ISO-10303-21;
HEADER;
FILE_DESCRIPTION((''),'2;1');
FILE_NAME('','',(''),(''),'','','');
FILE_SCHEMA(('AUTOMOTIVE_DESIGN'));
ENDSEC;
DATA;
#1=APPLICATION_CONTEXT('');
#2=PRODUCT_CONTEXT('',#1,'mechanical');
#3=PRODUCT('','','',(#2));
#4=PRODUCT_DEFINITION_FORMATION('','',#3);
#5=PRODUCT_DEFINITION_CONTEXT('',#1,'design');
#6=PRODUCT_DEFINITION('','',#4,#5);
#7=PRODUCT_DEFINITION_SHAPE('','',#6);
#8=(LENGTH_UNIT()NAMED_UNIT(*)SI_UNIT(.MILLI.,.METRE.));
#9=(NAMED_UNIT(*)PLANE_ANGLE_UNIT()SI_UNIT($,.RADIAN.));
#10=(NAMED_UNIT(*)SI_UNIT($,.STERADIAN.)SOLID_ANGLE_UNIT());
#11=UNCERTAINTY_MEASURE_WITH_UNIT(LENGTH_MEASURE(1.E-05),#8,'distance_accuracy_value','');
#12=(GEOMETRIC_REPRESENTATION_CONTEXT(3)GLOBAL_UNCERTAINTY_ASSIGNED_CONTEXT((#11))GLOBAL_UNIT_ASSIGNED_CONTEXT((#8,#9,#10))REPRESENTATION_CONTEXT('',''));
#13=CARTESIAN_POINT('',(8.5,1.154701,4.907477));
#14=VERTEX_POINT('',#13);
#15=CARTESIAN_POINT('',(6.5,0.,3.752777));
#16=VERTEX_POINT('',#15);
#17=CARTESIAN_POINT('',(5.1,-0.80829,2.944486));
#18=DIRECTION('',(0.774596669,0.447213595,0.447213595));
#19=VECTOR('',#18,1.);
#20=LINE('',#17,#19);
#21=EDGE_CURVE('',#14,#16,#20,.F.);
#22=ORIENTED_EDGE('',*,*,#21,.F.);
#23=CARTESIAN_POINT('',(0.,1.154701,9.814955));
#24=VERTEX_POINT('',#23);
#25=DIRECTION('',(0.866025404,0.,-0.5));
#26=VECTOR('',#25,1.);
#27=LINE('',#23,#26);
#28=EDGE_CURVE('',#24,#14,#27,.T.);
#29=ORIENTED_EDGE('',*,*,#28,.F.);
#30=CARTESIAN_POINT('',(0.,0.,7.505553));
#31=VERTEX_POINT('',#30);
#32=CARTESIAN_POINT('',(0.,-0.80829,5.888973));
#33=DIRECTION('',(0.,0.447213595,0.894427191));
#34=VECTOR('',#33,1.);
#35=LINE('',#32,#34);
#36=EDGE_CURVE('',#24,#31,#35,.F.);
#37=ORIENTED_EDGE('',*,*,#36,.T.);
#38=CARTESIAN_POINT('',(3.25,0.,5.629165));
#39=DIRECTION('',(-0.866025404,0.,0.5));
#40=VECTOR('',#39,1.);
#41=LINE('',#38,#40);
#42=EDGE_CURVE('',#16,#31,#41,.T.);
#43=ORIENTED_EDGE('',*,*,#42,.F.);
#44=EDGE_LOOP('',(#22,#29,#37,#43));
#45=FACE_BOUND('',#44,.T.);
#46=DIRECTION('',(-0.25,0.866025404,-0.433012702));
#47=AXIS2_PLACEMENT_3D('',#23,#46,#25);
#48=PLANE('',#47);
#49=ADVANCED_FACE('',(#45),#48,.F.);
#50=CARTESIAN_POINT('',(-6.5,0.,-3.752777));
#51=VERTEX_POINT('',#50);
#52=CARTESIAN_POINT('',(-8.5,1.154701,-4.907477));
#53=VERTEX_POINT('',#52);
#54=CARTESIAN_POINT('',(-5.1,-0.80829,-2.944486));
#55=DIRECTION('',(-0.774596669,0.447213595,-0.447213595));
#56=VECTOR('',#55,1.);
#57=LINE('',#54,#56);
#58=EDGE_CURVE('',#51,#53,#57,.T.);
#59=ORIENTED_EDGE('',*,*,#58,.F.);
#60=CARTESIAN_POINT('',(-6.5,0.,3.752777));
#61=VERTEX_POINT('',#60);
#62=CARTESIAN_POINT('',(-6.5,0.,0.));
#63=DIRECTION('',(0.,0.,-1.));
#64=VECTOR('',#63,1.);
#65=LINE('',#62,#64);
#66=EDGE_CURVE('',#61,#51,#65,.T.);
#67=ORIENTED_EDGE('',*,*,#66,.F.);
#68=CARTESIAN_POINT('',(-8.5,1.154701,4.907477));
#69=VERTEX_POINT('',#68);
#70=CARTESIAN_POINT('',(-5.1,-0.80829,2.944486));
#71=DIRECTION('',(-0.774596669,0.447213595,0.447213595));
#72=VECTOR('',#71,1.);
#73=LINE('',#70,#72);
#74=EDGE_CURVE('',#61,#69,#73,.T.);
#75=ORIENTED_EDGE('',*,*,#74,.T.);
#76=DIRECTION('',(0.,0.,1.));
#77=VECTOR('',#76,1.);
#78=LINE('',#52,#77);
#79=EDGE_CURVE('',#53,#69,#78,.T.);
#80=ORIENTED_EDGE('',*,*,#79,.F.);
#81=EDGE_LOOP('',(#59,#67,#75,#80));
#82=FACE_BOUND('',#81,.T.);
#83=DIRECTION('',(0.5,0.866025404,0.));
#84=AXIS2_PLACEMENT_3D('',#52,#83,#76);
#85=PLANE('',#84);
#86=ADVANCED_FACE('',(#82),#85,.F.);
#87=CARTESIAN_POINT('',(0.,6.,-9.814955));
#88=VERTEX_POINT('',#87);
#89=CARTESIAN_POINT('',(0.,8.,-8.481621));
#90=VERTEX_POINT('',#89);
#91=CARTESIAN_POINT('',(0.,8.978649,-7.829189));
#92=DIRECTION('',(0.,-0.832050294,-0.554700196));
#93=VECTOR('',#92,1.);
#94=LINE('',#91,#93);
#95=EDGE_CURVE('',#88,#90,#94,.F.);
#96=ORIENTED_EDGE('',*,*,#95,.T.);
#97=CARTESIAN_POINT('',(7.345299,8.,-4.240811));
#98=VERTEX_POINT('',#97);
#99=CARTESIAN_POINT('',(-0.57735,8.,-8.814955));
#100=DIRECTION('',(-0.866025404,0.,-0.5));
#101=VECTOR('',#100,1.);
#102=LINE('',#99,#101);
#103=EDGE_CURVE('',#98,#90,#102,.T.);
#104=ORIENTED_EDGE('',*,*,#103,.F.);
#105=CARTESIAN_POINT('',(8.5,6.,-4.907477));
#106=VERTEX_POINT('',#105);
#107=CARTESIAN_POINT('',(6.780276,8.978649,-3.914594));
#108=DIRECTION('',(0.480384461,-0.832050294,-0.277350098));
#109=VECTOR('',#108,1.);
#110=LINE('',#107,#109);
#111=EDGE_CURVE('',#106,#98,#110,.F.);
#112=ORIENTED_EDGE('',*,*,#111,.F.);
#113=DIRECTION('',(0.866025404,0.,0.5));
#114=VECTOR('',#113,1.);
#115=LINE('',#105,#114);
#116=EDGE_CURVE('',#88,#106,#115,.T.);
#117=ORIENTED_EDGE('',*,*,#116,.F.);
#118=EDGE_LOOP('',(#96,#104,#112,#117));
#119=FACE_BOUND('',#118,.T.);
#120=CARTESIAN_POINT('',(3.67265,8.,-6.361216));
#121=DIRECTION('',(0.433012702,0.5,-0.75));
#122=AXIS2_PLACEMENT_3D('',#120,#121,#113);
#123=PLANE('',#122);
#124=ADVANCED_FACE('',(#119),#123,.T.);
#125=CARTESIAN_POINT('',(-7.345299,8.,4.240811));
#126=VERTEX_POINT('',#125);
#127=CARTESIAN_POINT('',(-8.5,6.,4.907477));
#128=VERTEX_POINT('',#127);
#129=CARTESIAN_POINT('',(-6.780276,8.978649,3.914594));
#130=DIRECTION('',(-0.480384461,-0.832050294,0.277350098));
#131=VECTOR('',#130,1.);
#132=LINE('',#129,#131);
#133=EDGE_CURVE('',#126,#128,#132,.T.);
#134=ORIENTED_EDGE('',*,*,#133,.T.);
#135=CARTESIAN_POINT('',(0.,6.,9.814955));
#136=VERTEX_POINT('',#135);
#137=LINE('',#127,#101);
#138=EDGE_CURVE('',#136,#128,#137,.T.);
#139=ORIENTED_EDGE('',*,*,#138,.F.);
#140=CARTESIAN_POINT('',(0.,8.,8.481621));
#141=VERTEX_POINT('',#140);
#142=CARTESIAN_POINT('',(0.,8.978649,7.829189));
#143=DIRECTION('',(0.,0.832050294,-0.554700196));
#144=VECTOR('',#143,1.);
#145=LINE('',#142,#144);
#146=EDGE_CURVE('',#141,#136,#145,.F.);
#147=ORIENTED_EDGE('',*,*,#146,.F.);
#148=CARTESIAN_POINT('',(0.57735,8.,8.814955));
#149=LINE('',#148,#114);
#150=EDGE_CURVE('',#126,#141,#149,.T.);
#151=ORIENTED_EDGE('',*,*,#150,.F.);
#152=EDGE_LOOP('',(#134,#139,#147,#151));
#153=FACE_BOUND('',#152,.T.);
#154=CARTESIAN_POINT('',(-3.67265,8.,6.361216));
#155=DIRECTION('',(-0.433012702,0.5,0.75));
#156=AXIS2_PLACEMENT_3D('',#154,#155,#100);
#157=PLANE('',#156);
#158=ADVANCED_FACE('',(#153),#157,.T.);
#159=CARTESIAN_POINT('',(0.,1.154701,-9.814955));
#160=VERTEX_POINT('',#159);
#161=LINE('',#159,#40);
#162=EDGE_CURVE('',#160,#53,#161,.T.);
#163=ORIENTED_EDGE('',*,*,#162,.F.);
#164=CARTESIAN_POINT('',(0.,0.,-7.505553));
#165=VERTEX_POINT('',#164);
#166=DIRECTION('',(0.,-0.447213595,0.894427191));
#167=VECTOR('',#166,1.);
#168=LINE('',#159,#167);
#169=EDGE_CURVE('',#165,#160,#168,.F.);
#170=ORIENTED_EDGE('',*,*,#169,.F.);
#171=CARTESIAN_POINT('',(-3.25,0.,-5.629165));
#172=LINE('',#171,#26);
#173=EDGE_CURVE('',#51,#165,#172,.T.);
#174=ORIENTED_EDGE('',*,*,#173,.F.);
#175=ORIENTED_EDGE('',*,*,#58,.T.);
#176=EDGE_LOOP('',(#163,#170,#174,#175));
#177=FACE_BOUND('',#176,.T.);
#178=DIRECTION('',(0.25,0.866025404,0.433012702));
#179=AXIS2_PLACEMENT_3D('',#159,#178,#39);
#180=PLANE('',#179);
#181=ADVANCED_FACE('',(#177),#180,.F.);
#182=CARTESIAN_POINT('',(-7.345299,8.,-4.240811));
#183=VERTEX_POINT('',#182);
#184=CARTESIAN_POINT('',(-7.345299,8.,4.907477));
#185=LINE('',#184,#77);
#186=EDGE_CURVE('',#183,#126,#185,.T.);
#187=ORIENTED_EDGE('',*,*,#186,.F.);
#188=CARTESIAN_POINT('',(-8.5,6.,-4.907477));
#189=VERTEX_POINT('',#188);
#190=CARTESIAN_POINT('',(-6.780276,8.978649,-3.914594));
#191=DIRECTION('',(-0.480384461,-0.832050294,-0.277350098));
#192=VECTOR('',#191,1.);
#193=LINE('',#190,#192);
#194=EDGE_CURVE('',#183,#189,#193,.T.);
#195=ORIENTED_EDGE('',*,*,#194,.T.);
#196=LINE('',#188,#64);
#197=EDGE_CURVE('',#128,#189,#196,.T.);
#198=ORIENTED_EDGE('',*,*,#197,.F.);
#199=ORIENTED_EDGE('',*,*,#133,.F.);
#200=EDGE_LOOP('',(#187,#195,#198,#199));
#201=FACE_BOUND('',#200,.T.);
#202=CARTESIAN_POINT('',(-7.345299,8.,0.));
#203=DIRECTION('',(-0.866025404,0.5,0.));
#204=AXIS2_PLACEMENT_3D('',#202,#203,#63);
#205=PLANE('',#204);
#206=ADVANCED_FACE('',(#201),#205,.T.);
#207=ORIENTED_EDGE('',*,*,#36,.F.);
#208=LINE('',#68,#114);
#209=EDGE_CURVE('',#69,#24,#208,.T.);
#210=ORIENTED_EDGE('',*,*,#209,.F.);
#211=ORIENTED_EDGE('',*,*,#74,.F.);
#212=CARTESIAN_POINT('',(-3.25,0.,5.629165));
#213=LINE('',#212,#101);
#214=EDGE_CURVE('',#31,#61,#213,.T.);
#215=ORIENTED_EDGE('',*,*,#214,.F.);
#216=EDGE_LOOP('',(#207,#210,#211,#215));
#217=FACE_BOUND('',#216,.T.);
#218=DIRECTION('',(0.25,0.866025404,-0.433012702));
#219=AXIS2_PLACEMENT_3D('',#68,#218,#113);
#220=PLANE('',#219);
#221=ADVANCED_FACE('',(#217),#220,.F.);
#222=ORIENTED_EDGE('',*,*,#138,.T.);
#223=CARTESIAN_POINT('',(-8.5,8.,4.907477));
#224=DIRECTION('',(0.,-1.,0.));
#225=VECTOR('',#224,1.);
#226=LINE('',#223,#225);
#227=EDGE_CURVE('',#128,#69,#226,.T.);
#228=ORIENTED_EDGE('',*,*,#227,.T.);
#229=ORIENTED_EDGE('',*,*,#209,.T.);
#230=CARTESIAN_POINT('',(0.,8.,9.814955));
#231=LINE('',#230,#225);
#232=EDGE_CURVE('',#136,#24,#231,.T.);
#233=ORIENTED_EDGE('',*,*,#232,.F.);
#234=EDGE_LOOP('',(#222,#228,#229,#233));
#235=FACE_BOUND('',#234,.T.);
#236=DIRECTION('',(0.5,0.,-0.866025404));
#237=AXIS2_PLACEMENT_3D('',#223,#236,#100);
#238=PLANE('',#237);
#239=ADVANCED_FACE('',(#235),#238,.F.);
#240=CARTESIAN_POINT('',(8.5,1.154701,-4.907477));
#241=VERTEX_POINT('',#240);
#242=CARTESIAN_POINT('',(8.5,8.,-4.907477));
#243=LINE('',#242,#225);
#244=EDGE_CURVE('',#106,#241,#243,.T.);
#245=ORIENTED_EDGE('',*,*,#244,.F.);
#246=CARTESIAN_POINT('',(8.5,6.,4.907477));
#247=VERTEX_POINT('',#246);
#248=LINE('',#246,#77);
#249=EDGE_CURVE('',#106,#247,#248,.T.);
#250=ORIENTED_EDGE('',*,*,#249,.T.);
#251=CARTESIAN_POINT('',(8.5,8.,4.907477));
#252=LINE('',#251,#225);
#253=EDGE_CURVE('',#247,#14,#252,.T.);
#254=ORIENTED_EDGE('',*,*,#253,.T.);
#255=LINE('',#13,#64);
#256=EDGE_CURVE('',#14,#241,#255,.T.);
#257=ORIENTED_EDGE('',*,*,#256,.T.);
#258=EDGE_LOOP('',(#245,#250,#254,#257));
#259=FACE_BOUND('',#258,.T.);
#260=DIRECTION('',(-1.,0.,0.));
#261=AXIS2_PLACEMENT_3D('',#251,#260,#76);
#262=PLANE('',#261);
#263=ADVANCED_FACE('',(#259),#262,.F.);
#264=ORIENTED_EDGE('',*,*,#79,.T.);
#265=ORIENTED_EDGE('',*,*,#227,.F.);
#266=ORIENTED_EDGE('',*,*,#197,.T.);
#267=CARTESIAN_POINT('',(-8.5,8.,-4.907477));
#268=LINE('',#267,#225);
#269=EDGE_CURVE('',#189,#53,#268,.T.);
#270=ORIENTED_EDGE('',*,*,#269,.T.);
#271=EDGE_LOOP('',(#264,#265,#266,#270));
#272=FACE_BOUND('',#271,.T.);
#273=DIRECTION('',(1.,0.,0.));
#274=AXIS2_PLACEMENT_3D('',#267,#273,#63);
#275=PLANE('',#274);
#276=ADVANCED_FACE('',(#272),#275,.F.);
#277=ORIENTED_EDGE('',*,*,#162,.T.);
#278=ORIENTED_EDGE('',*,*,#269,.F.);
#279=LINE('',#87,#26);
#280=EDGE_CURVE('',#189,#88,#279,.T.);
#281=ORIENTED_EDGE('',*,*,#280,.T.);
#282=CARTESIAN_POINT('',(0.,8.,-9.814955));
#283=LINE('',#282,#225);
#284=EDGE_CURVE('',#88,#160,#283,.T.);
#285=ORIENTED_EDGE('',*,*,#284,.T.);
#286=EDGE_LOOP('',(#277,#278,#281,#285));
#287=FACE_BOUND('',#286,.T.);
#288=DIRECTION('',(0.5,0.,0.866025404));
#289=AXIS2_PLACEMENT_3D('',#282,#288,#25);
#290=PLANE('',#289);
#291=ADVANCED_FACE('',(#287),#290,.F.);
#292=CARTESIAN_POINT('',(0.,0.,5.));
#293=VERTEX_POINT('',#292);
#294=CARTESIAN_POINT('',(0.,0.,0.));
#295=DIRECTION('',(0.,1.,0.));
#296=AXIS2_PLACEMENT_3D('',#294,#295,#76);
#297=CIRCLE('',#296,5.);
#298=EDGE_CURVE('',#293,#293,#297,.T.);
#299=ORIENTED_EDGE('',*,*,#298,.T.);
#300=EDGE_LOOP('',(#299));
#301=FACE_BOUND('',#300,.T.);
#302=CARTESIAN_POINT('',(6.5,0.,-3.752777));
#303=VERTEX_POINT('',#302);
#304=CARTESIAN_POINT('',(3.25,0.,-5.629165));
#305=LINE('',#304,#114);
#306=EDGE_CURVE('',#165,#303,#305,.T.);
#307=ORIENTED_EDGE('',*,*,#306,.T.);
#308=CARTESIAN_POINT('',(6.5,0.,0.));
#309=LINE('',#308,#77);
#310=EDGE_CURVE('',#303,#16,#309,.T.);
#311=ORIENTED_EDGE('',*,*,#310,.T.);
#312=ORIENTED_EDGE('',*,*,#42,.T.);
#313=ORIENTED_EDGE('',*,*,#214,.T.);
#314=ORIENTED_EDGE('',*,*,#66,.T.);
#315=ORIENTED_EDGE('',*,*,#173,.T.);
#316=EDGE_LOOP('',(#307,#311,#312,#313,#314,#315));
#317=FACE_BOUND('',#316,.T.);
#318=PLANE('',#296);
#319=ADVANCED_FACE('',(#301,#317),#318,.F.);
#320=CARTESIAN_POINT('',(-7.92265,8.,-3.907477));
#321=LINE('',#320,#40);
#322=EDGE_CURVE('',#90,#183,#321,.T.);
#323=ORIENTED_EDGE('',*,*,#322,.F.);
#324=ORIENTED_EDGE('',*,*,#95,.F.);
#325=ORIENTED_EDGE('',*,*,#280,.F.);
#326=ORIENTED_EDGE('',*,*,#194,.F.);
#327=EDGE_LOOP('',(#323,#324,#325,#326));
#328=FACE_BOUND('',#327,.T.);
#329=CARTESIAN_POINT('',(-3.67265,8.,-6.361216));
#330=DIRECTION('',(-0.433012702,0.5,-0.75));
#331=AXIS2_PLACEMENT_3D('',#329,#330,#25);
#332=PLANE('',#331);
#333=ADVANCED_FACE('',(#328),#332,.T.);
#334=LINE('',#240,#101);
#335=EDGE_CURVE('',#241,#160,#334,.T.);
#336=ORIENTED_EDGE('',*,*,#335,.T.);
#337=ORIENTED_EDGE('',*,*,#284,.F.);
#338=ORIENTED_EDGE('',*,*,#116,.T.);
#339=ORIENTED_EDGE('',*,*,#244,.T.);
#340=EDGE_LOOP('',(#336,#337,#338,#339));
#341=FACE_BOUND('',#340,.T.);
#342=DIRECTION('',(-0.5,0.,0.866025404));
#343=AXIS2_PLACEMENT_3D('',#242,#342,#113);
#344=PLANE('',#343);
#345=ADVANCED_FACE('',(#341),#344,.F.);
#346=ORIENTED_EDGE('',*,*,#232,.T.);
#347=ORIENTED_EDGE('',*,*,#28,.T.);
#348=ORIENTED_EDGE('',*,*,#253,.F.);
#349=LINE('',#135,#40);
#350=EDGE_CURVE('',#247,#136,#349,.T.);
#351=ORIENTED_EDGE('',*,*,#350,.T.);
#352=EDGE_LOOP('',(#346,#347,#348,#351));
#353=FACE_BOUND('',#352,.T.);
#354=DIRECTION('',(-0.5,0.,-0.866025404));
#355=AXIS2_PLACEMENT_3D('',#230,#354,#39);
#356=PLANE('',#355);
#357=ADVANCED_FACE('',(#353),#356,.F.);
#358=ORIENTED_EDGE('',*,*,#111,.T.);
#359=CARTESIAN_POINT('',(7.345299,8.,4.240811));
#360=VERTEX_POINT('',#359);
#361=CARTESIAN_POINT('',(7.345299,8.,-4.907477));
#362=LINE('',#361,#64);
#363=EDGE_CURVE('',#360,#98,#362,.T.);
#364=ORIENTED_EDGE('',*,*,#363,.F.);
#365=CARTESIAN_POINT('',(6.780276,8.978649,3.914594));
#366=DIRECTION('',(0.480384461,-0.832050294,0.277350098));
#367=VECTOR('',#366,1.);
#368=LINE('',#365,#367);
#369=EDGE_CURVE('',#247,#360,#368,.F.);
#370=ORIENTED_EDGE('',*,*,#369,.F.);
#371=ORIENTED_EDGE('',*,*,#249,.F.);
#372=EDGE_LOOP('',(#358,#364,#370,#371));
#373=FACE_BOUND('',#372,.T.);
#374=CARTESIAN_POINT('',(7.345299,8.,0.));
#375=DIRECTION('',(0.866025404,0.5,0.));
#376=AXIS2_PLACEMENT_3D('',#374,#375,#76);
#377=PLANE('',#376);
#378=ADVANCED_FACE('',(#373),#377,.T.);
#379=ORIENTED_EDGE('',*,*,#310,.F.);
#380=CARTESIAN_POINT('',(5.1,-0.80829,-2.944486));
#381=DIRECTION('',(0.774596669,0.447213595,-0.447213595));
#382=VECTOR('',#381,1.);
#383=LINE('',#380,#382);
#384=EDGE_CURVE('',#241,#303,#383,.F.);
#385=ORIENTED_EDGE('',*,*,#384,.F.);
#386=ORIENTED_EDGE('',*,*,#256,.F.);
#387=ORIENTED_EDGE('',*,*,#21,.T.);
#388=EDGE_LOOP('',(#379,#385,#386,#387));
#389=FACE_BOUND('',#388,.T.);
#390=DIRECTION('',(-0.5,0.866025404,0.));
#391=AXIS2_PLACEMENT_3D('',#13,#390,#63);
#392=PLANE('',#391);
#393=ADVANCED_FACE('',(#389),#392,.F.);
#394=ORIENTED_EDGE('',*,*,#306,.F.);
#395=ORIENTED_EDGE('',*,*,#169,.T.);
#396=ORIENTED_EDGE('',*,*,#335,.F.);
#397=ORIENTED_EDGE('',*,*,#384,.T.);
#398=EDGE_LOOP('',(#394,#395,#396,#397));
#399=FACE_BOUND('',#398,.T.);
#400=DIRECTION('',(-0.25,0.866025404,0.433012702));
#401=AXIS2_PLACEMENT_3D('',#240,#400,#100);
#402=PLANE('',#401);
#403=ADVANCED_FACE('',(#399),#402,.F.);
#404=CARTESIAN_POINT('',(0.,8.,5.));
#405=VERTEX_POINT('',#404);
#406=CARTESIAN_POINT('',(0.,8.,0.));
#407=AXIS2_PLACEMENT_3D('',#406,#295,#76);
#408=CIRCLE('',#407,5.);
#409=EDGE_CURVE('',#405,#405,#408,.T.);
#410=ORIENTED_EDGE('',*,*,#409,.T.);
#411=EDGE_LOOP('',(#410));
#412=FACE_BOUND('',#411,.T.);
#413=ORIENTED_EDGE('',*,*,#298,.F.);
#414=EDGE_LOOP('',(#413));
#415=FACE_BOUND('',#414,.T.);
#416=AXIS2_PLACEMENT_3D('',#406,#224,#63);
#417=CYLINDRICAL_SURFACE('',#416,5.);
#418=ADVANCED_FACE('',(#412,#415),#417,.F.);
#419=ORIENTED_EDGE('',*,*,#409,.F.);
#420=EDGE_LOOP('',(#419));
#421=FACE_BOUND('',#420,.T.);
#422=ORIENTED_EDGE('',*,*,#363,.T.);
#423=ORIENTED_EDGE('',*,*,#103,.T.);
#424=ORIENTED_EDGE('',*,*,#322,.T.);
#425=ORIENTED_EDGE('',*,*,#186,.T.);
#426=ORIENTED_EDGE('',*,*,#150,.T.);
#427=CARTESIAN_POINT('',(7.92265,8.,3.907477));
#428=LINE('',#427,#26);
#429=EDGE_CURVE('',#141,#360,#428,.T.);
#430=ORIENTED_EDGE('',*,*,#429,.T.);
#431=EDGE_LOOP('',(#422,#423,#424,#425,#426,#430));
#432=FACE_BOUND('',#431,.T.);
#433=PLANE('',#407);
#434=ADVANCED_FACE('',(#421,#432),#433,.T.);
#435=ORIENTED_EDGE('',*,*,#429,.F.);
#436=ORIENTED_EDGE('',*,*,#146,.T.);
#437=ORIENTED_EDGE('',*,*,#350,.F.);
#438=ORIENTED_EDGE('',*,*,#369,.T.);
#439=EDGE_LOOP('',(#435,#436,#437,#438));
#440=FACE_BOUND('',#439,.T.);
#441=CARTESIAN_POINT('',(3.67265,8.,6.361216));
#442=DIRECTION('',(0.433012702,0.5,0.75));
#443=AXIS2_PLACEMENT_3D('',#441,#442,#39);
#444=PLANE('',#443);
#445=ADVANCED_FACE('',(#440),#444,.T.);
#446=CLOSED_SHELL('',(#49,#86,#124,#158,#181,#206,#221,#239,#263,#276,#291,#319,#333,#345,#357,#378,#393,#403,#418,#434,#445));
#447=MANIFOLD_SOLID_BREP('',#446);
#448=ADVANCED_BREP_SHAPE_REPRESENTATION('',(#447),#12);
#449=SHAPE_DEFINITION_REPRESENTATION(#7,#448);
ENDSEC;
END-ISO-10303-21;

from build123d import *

# Parameters (mm, degrees)
SKETCH_1_R             = 5
EXTRUDE_1_DEPTH        = 8
CHAMFER_1_SIZE         = 2
CHAMFER_1_SIZE2        = 1.154700538
CHAMFER_1_PART_2_SIZE  = 2
CHAMFER_1_PART_2_SIZE2 = 1.154700538
CHAMFER_1_PART_3_SIZE  = 2
CHAMFER_1_PART_3_SIZE2 = 1.154700538
CHAMFER_1_PART_4_SIZE  = 2
CHAMFER_1_PART_4_SIZE2 = 1.154700538
CHAMFER_1_PART_5_SIZE  = 2
CHAMFER_1_PART_5_SIZE2 = 1.154700538
CHAMFER_1_PART_6_SIZE  = 2
CHAMFER_1_PART_6_SIZE2 = 1.154700538
CHAMFER_1_PART_7_SIZE  = 2
CHAMFER_1_PART_7_SIZE2 = 1.154700538


with BuildPart() as part:
    # Эскиз1 → Бобышка-Вытянуть1 (new body)
    with BuildSketch(Plane(origin=(0, 0, 0), x_dir=(1, 0, 0), z_dir=(0, 1, 0))):
        Polygon((8.5, -4.907477288), (8.5, 4.907477288), (0, 9.814954576), (-8.5, 4.907477288), (-8.5, -4.907477288), (0, -9.814954576), align=None)
        Circle(SKETCH_1_R, mode=Mode.SUBTRACT)
    extrude(amount=EXTRUDE_1_DEPTH)

    # Фаска1
    chamfer_1_edges = [part.edges().sort_by_distance(p)[0] for p in [
        (4.25, 8, -7.361215932),
    ]]
    chamfer_1_side = [part.faces().sort_by_distance(p)[0] for p in [
        (4.25, 4, -7.361215932),
    ]]
    chamfer(chamfer_1_edges, length=CHAMFER_1_SIZE, length2=CHAMFER_1_SIZE2, reference=chamfer_1_side[0])

    # Фаска1 part 2
    chamfer_1_part_2_edges = [part.edges().sort_by_distance(p)[0] for p in [
        (-4.25, 8, -7.361215932),
    ]]
    chamfer_1_part_2_side = [part.faces().sort_by_distance(p)[0] for p in [
        (-4.25, 4, -7.361215932),
    ]]
    chamfer(chamfer_1_part_2_edges, length=CHAMFER_1_PART_2_SIZE, length2=CHAMFER_1_PART_2_SIZE2, reference=chamfer_1_part_2_side[0])

    # Фаска1 part 3
    chamfer_1_part_3_edges = [part.edges().sort_by_distance(p)[0] for p in [
        (-8.5, 8, 0),
    ]]
    chamfer_1_part_3_side = [part.faces().sort_by_distance(p)[0] for p in [
        (-8.5, 4, 0),
    ]]
    chamfer(chamfer_1_part_3_edges, length=CHAMFER_1_PART_3_SIZE, length2=CHAMFER_1_PART_3_SIZE2, reference=chamfer_1_part_3_side[0])

    # Фаска1 part 4
    chamfer_1_part_4_edges = [part.edges().sort_by_distance(p)[0] for p in [
        (-4.25, 8, 7.361215932),
    ]]
    chamfer_1_part_4_side = [part.faces().sort_by_distance(p)[0] for p in [
        (-4.25, 4, 7.361215932),
    ]]
    chamfer(chamfer_1_part_4_edges, length=CHAMFER_1_PART_4_SIZE, length2=CHAMFER_1_PART_4_SIZE2, reference=chamfer_1_part_4_side[0])

    # Фаска1 part 5
    chamfer_1_part_5_edges = [part.edges().sort_by_distance(p)[0] for p in [
        (4.25, 8, 7.361215932),
    ]]
    chamfer_1_part_5_side = [part.faces().sort_by_distance(p)[0] for p in [
        (4.25, 4, 7.361215932),
    ]]
    chamfer(chamfer_1_part_5_edges, length=CHAMFER_1_PART_5_SIZE, length2=CHAMFER_1_PART_5_SIZE2, reference=chamfer_1_part_5_side[0])

    # Фаска1 part 6
    chamfer_1_part_6_edges = [part.edges().sort_by_distance(p)[0] for p in [
        (-4.25, 0, 7.361215932),
        (-8.5, 0, 0),
        (-4.25, 0, -7.361215932),
        (4.25, 0, -7.361215932),
        (8.5, 0, 0),
        (4.25, 0, 7.361215932),
    ]]
    chamfer_1_part_6_side = [part.faces().sort_by_distance(p)[0] for p in [
        (8.240320711, 0, 0),
    ]]
    chamfer(chamfer_1_part_6_edges, length=CHAMFER_1_PART_6_SIZE, length2=CHAMFER_1_PART_6_SIZE2, reference=chamfer_1_part_6_side[0])

    # Фаска1 part 7
    chamfer_1_part_7_edges = [part.edges().sort_by_distance(p)[0] for p in [
        (8.5, 8, 0),
    ]]
    chamfer_1_part_7_side = [part.faces().sort_by_distance(p)[0] for p in [
        (8.5, 4, 0),
    ]]
    chamfer(chamfer_1_part_7_edges, length=CHAMFER_1_PART_7_SIZE, length2=CHAMFER_1_PART_7_SIZE2, reference=chamfer_1_part_7_side[0])


solid = part.part
